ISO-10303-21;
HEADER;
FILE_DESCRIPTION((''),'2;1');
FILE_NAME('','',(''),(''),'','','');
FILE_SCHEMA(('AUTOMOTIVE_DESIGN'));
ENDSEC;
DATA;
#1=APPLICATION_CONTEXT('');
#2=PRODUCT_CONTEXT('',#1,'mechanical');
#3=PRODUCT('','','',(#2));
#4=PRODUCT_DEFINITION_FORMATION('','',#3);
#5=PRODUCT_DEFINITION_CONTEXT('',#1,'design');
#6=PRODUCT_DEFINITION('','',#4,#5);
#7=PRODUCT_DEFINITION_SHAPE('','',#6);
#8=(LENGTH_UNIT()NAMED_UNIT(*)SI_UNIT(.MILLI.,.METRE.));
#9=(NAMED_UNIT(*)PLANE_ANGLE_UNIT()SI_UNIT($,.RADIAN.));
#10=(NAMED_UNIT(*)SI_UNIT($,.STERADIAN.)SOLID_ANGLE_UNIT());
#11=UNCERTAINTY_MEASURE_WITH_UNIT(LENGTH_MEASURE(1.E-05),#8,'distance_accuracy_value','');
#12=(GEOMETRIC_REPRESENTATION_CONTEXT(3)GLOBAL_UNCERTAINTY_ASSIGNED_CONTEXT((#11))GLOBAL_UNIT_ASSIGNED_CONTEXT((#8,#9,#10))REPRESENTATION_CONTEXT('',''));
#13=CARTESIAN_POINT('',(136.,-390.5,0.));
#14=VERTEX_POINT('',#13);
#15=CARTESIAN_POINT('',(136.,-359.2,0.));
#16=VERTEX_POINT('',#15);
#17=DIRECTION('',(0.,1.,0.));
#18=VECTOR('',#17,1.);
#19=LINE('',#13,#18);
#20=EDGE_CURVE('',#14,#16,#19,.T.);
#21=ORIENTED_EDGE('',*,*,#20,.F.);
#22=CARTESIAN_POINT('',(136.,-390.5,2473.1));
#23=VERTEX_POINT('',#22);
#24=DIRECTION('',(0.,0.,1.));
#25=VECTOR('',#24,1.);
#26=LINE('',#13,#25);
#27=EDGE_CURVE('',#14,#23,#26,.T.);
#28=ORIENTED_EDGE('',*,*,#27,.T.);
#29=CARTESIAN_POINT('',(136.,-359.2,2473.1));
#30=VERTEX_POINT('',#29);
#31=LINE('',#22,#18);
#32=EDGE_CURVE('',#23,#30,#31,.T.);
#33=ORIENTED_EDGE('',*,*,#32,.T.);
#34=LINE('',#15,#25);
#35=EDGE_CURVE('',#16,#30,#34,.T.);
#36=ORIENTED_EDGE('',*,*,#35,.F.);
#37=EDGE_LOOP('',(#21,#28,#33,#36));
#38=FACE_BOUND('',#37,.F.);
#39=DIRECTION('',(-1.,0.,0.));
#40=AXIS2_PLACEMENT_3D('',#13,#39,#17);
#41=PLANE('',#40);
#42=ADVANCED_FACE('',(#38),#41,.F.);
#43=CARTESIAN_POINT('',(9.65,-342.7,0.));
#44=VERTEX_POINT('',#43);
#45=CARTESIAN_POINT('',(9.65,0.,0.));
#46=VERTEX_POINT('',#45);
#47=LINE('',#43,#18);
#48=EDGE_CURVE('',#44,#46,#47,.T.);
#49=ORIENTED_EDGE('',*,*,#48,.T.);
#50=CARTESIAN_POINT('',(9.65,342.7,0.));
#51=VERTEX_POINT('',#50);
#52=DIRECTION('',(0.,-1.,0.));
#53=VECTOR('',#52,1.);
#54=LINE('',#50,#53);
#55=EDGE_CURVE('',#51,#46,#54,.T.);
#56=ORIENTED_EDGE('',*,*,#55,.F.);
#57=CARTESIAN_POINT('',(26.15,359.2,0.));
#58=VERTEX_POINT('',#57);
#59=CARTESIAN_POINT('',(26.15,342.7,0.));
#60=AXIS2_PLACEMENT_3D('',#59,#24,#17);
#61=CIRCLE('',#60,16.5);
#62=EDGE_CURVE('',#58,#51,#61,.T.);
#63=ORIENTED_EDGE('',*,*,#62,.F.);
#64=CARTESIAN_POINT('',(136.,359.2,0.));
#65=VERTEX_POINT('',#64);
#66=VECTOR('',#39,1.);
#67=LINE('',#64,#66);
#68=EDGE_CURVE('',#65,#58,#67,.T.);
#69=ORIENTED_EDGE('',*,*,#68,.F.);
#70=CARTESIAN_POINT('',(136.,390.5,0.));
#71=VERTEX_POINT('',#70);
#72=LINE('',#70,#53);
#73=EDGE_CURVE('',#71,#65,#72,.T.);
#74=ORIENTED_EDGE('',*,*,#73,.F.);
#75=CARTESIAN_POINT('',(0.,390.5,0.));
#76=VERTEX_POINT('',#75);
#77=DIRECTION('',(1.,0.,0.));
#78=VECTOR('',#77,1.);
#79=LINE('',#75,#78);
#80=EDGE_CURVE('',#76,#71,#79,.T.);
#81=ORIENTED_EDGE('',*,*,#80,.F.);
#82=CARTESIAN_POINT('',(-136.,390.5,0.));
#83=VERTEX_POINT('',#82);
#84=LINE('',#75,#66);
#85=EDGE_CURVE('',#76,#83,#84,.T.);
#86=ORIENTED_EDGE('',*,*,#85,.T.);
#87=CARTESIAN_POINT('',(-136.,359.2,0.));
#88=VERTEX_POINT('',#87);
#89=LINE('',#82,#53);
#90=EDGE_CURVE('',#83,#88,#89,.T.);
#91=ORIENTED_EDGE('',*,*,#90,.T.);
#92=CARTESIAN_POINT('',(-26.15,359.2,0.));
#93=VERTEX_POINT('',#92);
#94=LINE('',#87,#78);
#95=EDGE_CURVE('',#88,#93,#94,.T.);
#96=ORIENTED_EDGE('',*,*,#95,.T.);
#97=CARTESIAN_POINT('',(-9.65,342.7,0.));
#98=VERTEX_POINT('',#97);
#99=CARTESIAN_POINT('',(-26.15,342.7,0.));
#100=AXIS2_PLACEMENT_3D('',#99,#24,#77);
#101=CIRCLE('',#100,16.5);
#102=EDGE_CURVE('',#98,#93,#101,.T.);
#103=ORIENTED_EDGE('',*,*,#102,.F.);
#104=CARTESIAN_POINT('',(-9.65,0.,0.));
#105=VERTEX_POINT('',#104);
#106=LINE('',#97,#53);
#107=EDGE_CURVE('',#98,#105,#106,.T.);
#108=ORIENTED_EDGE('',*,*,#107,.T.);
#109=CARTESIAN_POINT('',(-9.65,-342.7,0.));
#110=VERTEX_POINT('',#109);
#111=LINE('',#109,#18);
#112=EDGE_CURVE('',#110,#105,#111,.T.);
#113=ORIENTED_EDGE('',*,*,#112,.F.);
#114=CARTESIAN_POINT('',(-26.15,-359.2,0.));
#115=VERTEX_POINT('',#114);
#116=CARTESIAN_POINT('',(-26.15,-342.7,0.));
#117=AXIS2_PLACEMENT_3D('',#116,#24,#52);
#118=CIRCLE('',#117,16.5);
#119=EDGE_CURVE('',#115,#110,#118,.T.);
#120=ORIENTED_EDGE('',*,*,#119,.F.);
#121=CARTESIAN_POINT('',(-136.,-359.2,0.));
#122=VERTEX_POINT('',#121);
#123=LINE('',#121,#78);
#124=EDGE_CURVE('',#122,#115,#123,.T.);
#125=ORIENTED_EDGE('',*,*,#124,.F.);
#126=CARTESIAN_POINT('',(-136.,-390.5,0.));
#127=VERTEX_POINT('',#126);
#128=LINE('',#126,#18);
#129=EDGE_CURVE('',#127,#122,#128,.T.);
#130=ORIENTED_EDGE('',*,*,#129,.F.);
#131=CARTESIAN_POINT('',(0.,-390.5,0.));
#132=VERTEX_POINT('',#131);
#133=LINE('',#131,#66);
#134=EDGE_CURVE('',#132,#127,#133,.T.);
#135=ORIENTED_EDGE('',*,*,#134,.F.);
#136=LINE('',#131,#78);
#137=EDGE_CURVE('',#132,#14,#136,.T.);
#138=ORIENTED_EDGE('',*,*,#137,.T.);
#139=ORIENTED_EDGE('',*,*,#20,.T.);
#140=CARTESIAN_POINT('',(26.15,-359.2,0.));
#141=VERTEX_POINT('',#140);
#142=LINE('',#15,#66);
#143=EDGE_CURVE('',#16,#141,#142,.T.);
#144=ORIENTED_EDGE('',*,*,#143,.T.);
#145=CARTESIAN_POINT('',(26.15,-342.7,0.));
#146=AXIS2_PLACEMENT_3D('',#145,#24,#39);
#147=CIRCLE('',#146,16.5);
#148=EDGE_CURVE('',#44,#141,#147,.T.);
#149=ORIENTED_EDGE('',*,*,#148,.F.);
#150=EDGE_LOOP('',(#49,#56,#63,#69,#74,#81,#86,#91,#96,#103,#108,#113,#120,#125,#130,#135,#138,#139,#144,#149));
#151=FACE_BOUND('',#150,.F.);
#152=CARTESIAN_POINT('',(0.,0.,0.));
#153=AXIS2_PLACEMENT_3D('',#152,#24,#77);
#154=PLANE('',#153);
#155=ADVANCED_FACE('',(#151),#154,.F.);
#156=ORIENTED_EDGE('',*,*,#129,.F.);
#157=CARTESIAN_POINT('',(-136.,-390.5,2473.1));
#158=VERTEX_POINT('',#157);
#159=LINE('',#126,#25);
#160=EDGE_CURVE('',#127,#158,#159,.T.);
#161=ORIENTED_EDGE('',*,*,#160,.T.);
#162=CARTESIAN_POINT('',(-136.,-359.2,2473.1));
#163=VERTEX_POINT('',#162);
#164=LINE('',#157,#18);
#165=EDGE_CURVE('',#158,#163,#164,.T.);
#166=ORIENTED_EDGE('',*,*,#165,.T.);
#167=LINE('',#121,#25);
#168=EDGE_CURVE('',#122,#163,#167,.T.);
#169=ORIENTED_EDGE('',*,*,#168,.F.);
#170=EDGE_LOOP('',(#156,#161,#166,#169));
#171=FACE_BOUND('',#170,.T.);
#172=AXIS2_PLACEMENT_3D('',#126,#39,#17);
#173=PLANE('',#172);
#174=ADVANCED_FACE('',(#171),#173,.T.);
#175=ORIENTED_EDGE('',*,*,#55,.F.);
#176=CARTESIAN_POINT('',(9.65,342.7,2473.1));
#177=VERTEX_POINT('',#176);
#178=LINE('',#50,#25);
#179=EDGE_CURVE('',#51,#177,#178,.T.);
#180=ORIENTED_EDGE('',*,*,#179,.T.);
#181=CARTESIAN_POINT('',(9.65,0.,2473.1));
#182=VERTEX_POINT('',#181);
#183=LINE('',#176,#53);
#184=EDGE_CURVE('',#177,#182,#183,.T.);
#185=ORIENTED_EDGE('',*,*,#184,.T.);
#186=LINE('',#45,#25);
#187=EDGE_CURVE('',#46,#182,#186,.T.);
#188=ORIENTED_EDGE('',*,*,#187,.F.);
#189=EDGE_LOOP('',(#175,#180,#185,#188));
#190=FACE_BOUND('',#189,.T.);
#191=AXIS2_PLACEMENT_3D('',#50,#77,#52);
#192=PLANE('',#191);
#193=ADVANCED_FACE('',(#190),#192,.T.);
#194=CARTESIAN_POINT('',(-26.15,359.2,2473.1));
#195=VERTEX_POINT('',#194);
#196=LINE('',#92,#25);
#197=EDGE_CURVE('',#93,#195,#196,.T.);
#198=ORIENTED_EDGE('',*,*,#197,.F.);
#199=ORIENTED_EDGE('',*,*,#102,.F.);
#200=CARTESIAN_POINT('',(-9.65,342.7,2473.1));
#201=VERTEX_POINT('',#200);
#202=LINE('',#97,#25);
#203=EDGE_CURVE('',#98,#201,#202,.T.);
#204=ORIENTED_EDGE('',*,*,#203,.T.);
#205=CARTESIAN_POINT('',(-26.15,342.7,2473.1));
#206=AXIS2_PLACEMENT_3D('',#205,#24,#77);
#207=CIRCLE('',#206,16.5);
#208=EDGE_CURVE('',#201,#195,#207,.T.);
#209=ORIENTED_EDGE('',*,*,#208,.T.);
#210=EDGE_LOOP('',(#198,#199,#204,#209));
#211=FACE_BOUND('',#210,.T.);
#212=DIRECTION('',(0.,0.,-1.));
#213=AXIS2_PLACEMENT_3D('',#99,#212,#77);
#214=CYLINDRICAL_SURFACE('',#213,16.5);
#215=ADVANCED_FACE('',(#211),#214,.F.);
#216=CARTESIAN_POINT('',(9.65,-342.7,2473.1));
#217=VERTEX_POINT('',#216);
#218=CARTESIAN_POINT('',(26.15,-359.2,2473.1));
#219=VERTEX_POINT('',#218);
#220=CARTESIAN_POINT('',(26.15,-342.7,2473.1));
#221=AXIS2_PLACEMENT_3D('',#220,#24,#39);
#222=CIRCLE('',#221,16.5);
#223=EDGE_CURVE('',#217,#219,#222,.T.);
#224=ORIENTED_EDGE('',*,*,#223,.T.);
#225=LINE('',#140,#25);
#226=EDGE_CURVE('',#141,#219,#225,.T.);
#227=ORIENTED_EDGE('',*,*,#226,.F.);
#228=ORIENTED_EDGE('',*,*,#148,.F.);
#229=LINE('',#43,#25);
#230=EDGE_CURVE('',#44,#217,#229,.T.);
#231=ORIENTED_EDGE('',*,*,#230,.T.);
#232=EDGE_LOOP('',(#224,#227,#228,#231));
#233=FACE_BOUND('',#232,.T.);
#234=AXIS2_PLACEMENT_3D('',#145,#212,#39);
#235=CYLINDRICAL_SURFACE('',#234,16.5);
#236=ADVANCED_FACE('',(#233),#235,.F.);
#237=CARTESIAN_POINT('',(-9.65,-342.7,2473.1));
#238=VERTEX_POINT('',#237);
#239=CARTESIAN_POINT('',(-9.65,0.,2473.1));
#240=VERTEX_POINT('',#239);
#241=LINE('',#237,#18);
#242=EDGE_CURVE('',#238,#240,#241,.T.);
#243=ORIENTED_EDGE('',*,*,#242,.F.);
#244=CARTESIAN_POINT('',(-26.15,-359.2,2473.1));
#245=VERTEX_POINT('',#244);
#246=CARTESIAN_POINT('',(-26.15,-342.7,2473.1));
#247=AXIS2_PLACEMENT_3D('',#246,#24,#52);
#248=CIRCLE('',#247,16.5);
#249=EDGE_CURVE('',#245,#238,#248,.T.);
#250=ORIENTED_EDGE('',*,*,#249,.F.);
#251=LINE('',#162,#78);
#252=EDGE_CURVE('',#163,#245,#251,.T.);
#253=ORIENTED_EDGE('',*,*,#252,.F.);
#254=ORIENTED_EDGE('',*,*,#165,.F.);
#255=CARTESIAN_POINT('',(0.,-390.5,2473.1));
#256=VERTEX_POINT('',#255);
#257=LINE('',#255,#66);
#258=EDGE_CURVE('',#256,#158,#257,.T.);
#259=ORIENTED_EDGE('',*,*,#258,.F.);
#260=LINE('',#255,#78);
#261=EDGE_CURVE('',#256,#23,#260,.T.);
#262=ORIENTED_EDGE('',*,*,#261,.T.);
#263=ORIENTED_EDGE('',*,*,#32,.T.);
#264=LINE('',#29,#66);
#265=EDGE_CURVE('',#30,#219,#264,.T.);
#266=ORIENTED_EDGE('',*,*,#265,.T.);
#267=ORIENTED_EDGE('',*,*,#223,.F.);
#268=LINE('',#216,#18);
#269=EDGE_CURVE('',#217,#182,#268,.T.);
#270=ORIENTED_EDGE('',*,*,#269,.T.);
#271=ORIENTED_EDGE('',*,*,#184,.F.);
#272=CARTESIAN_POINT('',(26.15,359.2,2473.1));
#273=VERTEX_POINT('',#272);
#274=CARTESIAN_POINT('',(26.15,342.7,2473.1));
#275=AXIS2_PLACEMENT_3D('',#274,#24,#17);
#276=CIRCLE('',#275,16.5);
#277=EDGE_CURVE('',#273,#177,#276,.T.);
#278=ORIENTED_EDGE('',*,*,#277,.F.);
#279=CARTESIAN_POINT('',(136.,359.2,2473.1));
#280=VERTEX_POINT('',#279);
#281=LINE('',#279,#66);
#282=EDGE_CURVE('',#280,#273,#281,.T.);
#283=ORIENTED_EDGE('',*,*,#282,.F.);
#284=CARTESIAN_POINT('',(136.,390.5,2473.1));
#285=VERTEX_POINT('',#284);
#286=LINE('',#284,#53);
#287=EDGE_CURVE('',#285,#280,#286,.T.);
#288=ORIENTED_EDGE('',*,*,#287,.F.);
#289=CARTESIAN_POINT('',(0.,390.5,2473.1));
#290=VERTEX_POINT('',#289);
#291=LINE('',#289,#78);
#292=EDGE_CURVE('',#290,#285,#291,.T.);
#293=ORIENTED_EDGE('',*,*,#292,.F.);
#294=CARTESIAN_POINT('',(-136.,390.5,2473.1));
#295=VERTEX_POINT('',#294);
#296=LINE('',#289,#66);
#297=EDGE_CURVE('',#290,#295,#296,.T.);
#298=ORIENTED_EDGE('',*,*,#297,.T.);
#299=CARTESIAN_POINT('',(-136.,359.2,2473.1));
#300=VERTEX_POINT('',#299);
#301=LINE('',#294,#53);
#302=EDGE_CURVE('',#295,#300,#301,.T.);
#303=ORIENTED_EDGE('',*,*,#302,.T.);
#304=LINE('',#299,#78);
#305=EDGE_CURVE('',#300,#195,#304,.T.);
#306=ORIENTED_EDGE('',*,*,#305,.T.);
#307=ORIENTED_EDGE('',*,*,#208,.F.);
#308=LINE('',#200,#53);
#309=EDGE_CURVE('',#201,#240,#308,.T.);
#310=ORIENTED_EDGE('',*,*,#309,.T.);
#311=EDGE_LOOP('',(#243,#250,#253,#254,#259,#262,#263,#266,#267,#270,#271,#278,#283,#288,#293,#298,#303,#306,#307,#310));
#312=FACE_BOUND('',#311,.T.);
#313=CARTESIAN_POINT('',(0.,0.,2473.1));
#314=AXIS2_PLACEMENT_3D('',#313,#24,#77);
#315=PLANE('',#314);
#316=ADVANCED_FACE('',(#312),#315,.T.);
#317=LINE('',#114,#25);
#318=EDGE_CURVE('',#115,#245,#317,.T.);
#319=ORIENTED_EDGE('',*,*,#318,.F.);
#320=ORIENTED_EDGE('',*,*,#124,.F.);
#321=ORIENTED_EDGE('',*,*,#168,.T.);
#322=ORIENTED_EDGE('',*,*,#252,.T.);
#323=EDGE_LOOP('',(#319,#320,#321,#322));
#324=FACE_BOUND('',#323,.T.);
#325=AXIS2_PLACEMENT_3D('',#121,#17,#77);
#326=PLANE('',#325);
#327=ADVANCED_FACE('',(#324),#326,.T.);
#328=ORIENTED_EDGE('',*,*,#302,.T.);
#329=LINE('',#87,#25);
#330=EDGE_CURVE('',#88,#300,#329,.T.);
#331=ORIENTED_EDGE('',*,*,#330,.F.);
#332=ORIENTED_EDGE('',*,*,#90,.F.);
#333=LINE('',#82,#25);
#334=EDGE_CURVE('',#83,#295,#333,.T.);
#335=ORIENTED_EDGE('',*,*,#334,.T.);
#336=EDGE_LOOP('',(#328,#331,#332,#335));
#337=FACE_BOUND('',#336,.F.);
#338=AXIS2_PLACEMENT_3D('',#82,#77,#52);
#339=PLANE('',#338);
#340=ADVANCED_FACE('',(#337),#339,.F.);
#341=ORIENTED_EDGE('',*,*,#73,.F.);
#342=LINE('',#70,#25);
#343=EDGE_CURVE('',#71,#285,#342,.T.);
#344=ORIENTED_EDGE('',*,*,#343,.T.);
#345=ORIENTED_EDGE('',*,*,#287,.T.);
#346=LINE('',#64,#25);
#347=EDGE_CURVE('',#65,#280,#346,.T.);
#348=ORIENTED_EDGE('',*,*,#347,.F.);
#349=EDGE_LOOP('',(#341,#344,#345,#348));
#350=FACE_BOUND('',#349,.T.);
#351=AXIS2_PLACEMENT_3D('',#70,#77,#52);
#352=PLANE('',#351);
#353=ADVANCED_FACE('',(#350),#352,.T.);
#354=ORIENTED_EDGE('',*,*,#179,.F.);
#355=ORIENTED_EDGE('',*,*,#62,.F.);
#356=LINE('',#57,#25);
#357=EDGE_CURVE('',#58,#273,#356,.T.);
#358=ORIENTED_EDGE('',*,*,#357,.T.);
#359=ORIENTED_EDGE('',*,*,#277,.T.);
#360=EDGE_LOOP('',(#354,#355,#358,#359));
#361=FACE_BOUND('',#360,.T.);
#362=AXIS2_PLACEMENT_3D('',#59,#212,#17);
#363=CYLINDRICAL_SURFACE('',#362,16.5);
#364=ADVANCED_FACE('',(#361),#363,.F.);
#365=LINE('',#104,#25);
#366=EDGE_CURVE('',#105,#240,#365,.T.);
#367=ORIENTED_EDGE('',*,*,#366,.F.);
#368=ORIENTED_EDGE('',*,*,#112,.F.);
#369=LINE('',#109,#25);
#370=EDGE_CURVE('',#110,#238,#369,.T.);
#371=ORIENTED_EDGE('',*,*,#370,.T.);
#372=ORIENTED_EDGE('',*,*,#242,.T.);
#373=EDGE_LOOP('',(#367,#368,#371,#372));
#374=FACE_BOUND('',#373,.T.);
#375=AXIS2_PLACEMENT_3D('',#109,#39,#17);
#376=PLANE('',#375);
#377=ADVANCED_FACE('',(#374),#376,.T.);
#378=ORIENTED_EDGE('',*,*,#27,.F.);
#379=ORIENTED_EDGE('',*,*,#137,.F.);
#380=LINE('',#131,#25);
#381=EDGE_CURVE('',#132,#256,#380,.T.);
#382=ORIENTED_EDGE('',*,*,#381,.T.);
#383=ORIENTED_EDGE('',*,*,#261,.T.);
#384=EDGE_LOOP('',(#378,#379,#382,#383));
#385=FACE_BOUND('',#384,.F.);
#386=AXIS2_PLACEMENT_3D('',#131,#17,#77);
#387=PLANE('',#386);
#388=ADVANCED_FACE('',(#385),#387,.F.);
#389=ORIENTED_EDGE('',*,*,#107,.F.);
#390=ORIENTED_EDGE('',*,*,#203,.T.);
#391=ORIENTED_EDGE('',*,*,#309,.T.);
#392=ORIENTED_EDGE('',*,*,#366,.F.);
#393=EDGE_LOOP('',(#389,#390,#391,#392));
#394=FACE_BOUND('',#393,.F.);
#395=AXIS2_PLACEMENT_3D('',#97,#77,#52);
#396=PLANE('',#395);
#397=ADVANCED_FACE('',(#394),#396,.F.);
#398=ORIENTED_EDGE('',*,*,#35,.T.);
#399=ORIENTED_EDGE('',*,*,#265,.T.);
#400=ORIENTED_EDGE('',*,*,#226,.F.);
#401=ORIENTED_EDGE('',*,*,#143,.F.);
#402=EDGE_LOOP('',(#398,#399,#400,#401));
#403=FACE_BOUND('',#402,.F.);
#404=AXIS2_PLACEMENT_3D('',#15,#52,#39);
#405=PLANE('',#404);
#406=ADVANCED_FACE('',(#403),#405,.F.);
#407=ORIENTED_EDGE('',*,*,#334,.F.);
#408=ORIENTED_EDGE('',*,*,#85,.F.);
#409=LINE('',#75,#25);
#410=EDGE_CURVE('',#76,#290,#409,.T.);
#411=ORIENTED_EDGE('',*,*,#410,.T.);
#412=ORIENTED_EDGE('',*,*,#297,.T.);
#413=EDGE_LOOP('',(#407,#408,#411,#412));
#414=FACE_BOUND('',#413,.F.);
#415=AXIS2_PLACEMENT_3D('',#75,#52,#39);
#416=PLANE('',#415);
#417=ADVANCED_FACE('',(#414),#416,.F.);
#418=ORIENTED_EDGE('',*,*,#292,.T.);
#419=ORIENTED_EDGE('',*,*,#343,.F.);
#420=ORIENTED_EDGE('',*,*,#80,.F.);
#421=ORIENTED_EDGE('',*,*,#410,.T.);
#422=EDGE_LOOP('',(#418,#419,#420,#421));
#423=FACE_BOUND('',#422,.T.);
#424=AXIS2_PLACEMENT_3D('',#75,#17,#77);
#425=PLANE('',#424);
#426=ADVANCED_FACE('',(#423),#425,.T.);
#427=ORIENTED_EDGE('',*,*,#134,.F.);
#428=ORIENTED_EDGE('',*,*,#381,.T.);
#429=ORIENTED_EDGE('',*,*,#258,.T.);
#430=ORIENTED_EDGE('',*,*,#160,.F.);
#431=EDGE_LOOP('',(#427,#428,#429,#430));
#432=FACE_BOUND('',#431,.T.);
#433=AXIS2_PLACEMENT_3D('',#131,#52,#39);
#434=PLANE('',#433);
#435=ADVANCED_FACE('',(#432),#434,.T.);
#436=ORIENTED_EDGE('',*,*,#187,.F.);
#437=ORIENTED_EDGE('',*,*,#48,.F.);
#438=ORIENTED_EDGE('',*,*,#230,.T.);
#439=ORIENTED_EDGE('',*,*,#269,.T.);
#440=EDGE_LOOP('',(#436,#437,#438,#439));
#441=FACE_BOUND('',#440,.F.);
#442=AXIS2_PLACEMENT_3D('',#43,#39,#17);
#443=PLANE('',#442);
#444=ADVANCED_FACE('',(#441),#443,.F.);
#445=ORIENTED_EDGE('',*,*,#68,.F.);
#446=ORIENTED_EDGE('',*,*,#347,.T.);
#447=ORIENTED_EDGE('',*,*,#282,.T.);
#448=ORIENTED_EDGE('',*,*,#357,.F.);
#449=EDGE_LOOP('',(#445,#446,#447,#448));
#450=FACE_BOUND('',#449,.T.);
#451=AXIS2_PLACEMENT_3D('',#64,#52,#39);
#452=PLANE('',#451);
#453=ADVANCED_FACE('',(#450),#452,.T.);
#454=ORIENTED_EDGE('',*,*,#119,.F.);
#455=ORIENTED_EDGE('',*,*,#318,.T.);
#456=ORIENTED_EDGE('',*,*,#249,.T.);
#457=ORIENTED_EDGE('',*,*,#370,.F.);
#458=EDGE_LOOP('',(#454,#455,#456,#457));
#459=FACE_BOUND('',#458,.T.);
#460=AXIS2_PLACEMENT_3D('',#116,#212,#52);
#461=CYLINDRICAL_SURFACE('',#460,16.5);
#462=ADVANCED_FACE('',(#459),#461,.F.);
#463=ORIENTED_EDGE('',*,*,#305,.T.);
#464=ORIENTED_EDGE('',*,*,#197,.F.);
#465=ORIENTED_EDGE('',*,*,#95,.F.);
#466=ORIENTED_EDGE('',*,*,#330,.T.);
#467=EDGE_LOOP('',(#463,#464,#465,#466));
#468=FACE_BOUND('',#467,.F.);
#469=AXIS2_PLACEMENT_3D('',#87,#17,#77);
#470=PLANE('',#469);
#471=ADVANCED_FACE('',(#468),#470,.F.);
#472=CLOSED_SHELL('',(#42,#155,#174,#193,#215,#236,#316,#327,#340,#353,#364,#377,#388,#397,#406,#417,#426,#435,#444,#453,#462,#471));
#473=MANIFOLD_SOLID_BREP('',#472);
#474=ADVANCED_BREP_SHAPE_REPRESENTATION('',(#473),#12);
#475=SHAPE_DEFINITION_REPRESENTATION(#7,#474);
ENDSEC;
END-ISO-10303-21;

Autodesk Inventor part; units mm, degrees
ref_plane "YZ Plane" through (0, 0, 0) normal (1, 0, 0) x (0, 1, 0)
ref_plane "Start plane" through (0, 0, 0) normal (0, 0, 1) x (1, 0, 0)
ref_plane "End plane" through (0, 0, 2473.1) normal (0, 0, 1) x (1, 0, 0)
sketch "Sketch" plane through (0, 0, 0) normal (0, 0, 1) x (1, 0, 0)
  line L0 (-136, -390.5) -> (-136, -359.2)
  line L1 (-136, -359.2) -> (-26.15, -359.2)
  line L2 (-9.65, -342.7) -> (-9.65, 0)
  line L3 (-9.65, 0) -> (0, 0) construction
  line L4 (0, 0) -> (0, -390.5) construction
  line L5 (0, -390.5) -> (-136, -390.5)
  line L6 (-60, 0) -> (80, 0) construction
  line L7 (0, -60) -> (0, 80) construction
  line L8 (136, -390.5) -> (136, -359.2)
  line L9 (136, -359.2) -> (26.15, -359.2)
  line L10 (9.65, -342.7) -> (9.65, 0)
  line L11 (9.65, 0) -> (0, 0) construction
  line L12 (0, -390.5) -> (136, -390.5)
  line L13 (-136, 390.5) -> (-136, 359.2)
  line L14 (-136, 359.2) -> (-26.15, 359.2)
  line L15 (-9.65, 342.7) -> (-9.65, 0)
  line L16 (0, 390.5) -> (-136, 390.5)
  line L17 (136, 390.5) -> (136, 359.2)
  line L18 (136, 359.2) -> (26.15, 359.2)
  line L19 (0, 390.5) -> (136, 390.5)
  line L20 (9.65, 342.7) -> (9.65, 0)
  arc A0 (-9.65, 342.7) -> (-26.15, 359.2) centre (-26.15, 342.7) ccw
  arc A1 (26.15, 359.2) -> (9.65, 342.7) centre (26.15, 342.7) ccw
  arc A2 (9.65, -342.7) -> (26.15, -359.2) centre (26.15, -342.7) ccw
  arc A3 (-26.15, -359.2) -> (-9.65, -342.7) centre (-26.15, -342.7) ccw
  line L21 (0, 108) -> (0, -88) construction
  line L22 (-88, 0) -> (108, 0) construction
  point P0 (-9.65, -359.2)
  point P1 (9.65, -359.2)
  point P2 (-9.65, 359.2)
  point P3 (9.65, 359.2)
  dimension "d1" = 390.5
  dimension "d2" = 31.3
  dimension "d3" = 136
  dimension "d4" = 9.65
  dimension "d10" = 16.5
extrude "Body" add sketch "Sketch" along normal up to surface (2473.1 mm away) from surface at 0
sketch "Sketch4" plane through (0, 0, 0) normal (0, 0, 1) x (1, 0, 0)
  line L0 (0, 0) -> (10, 0)
ref_plane "Work Plane3" through (0, 0, 0) normal (0, -1, 0) x (1, 0, 0)
sketch "Sketch5" plane through (0, 0, 0) normal (0, -1, 0) x (1, 0, 0)
  line L0 (-2, 0) -> (12, 0) projected
  line L1 (-2, 2473.1) -> (12, 2473.1) projected
  dimension "d14" = 2473.1
equation "\"d1\" = 0.5 * G_H"
equation "\"d2\" = G_T1"
equation "\"d3\" = 0.5 * G_W"
equation "\"d4\" = 0.5 * G_T"
equation "\"d10\" = G_IR"
equation "\"d5\" = G_L"
equation "\"G_W\" = 272"
equation "\"G_H\" = 781"
equation "\"G_T\" = 19.3"
equation "\"G_T1\" = 31.3"
equation "\"G_IR\" = 16.5"
equation "\"G_L\" = d14"
equation "\"G_OFFSET_START\" = 0"
equation "\"G_OFFSET_END\" = 0"
equation "\"d12\" = G_OFFSET_END + B_L"
equation "\"B_L\" = 2473.1"
properties part number "AS 3679-1990 - 760 UB - 244 - 2473.1" material "Steel, Mild"
